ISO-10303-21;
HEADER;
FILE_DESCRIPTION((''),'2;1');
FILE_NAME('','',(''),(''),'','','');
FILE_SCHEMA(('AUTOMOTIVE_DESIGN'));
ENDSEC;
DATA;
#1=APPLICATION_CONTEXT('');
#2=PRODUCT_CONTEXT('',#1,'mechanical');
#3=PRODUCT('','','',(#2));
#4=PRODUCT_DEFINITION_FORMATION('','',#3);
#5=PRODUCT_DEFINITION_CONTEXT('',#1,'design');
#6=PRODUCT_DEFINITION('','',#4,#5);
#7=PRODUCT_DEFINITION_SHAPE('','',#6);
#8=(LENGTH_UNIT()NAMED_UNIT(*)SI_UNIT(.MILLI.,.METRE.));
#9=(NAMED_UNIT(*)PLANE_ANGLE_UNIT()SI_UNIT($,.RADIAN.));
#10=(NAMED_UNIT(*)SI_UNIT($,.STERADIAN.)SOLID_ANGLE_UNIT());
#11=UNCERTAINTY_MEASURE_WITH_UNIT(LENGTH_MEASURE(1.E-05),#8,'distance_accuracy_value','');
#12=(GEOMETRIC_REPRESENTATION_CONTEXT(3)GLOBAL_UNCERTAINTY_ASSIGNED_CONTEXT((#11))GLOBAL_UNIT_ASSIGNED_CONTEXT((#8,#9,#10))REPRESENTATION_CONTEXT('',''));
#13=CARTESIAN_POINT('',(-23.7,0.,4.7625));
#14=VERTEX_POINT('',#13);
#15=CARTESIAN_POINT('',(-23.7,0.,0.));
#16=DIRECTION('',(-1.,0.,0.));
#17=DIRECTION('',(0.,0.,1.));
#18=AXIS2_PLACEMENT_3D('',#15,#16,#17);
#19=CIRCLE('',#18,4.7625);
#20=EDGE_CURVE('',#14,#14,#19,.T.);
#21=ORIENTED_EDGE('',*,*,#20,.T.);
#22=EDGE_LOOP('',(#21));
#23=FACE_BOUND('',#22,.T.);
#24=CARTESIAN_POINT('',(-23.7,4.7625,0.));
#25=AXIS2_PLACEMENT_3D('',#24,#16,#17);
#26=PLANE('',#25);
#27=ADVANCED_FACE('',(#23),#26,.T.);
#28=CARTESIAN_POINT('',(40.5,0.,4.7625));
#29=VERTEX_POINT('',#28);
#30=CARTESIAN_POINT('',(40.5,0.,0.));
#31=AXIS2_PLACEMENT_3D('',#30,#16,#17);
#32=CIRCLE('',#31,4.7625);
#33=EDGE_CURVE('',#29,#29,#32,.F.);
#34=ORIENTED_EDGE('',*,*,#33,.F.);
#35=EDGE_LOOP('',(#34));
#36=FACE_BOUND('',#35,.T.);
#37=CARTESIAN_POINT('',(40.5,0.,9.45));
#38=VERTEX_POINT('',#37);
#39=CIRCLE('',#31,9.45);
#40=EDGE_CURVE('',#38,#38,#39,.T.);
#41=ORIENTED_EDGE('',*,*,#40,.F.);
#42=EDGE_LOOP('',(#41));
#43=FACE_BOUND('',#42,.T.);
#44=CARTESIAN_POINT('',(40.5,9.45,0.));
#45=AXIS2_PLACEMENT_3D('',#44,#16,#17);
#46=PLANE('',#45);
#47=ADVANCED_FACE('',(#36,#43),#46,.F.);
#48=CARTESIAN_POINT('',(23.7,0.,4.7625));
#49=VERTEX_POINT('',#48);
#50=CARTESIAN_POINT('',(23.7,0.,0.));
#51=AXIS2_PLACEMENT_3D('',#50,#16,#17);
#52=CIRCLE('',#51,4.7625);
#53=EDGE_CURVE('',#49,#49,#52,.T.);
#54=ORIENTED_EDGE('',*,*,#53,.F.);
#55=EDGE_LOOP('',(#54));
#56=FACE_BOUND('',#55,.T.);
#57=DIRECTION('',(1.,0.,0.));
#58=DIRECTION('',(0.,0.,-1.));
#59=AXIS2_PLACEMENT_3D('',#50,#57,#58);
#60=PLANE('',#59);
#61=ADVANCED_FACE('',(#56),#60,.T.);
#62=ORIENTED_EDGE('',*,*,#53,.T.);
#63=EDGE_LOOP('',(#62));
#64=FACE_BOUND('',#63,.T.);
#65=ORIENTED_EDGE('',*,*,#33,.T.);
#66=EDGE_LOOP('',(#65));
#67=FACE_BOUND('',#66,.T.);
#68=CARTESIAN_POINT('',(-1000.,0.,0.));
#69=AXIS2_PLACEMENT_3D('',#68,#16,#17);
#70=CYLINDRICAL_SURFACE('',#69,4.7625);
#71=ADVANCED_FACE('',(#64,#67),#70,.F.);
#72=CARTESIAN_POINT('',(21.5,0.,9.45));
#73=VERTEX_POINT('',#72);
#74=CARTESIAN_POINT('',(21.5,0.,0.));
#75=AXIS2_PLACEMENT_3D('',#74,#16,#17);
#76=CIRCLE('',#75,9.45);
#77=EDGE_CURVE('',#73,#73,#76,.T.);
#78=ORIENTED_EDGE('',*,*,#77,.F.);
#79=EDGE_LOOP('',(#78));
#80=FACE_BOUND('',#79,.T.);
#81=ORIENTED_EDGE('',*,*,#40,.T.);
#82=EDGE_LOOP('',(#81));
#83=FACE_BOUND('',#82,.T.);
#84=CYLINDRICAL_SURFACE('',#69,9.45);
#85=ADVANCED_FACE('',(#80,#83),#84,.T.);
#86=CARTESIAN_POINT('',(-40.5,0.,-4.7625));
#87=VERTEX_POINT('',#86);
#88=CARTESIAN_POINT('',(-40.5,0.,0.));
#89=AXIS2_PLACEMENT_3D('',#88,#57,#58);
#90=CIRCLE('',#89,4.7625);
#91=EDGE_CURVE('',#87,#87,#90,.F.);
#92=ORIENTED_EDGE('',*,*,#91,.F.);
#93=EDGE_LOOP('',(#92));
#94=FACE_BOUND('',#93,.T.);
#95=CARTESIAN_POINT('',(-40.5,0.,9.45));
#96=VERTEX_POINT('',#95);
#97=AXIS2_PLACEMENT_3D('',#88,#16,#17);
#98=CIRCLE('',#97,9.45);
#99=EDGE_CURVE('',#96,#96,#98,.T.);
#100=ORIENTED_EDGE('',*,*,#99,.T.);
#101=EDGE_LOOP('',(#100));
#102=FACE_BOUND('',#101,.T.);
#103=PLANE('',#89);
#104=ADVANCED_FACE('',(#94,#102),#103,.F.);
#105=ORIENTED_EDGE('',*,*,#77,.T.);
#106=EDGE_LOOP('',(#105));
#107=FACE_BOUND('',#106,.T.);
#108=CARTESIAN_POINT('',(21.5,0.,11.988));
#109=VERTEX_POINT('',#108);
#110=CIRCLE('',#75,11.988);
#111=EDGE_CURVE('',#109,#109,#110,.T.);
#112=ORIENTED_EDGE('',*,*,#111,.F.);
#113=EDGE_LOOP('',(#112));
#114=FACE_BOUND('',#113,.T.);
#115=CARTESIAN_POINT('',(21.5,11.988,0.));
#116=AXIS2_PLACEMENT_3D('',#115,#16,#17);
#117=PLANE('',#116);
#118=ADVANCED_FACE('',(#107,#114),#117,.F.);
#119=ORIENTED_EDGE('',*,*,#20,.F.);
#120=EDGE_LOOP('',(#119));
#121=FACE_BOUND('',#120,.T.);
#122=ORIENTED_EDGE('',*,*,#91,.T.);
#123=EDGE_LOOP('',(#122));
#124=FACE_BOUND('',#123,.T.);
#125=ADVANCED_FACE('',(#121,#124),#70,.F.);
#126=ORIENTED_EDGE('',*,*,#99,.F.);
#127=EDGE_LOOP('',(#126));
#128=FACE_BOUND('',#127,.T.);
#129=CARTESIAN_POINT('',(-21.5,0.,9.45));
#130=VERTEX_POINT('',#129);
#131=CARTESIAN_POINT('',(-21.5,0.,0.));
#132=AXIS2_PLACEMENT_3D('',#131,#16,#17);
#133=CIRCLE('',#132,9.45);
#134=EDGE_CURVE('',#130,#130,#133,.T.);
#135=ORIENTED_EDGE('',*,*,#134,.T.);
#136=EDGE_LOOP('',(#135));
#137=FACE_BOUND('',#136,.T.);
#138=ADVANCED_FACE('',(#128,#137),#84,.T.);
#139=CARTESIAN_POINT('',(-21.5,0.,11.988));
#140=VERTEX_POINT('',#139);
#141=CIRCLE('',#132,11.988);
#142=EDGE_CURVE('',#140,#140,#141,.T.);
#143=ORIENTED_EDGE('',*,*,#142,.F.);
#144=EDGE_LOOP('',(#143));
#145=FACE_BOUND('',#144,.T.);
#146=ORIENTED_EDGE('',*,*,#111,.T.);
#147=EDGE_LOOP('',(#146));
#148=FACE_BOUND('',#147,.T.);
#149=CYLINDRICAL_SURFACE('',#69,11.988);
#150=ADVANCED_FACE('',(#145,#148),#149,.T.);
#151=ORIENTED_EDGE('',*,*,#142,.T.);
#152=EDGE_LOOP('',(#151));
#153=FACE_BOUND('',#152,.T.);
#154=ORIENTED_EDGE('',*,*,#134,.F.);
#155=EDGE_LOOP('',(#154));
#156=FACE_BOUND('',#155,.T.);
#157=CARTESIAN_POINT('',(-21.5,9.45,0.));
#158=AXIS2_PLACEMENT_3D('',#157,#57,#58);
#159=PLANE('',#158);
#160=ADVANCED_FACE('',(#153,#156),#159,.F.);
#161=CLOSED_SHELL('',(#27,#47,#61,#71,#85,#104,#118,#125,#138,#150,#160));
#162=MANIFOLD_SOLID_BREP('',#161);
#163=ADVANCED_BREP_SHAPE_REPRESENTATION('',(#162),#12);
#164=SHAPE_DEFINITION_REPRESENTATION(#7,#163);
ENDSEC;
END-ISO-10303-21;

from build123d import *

# Parameters (mm, degrees)
SOCKET_1_SKETCH_W = 17.8
SOCKET_1_SKETCH_H = 4.7625
SOCKET_2_SKETCH_W = 17.8
SOCKET_2_SKETCH_H = 4.7625


with BuildPart() as part:
    # Filter_F2_T6 Sketch → Filter_F2_T6 (revolve)
    with BuildSketch(Plane.XY):
        Polygon((-40.5, 0), (-40.5, 9.45), (-21.5, 9.45), (-21.5, 11.988), (21.5, 11.988), (21.5, 9.45), (40.5, 9.45), (40.5, 0), align=None)
    revolve(axis=Axis((-1000, 0, 0), (1, 0, 0)))

    # Socket 1 Sketch → Socket 1 (revolve, cut)
    with BuildSketch(Plane.XY):
        with Locations((-32.6, 2.38125)):
            Rectangle(SOCKET_1_SKETCH_W, SOCKET_1_SKETCH_H)
    revolve(axis=Axis((-1000, 0, 0), (1, 0, 0)), mode=Mode.SUBTRACT)

    # Socket 2 Sketch → Socket 2 (revolve, cut)
    with BuildSketch(Plane.XY):
        with Locations((32.6, 2.38125)):
            Rectangle(SOCKET_2_SKETCH_W, SOCKET_2_SKETCH_H)
    revolve(axis=Axis((-1000, 0, 0), (1, 0, 0)), mode=Mode.SUBTRACT)


solid = part.part
